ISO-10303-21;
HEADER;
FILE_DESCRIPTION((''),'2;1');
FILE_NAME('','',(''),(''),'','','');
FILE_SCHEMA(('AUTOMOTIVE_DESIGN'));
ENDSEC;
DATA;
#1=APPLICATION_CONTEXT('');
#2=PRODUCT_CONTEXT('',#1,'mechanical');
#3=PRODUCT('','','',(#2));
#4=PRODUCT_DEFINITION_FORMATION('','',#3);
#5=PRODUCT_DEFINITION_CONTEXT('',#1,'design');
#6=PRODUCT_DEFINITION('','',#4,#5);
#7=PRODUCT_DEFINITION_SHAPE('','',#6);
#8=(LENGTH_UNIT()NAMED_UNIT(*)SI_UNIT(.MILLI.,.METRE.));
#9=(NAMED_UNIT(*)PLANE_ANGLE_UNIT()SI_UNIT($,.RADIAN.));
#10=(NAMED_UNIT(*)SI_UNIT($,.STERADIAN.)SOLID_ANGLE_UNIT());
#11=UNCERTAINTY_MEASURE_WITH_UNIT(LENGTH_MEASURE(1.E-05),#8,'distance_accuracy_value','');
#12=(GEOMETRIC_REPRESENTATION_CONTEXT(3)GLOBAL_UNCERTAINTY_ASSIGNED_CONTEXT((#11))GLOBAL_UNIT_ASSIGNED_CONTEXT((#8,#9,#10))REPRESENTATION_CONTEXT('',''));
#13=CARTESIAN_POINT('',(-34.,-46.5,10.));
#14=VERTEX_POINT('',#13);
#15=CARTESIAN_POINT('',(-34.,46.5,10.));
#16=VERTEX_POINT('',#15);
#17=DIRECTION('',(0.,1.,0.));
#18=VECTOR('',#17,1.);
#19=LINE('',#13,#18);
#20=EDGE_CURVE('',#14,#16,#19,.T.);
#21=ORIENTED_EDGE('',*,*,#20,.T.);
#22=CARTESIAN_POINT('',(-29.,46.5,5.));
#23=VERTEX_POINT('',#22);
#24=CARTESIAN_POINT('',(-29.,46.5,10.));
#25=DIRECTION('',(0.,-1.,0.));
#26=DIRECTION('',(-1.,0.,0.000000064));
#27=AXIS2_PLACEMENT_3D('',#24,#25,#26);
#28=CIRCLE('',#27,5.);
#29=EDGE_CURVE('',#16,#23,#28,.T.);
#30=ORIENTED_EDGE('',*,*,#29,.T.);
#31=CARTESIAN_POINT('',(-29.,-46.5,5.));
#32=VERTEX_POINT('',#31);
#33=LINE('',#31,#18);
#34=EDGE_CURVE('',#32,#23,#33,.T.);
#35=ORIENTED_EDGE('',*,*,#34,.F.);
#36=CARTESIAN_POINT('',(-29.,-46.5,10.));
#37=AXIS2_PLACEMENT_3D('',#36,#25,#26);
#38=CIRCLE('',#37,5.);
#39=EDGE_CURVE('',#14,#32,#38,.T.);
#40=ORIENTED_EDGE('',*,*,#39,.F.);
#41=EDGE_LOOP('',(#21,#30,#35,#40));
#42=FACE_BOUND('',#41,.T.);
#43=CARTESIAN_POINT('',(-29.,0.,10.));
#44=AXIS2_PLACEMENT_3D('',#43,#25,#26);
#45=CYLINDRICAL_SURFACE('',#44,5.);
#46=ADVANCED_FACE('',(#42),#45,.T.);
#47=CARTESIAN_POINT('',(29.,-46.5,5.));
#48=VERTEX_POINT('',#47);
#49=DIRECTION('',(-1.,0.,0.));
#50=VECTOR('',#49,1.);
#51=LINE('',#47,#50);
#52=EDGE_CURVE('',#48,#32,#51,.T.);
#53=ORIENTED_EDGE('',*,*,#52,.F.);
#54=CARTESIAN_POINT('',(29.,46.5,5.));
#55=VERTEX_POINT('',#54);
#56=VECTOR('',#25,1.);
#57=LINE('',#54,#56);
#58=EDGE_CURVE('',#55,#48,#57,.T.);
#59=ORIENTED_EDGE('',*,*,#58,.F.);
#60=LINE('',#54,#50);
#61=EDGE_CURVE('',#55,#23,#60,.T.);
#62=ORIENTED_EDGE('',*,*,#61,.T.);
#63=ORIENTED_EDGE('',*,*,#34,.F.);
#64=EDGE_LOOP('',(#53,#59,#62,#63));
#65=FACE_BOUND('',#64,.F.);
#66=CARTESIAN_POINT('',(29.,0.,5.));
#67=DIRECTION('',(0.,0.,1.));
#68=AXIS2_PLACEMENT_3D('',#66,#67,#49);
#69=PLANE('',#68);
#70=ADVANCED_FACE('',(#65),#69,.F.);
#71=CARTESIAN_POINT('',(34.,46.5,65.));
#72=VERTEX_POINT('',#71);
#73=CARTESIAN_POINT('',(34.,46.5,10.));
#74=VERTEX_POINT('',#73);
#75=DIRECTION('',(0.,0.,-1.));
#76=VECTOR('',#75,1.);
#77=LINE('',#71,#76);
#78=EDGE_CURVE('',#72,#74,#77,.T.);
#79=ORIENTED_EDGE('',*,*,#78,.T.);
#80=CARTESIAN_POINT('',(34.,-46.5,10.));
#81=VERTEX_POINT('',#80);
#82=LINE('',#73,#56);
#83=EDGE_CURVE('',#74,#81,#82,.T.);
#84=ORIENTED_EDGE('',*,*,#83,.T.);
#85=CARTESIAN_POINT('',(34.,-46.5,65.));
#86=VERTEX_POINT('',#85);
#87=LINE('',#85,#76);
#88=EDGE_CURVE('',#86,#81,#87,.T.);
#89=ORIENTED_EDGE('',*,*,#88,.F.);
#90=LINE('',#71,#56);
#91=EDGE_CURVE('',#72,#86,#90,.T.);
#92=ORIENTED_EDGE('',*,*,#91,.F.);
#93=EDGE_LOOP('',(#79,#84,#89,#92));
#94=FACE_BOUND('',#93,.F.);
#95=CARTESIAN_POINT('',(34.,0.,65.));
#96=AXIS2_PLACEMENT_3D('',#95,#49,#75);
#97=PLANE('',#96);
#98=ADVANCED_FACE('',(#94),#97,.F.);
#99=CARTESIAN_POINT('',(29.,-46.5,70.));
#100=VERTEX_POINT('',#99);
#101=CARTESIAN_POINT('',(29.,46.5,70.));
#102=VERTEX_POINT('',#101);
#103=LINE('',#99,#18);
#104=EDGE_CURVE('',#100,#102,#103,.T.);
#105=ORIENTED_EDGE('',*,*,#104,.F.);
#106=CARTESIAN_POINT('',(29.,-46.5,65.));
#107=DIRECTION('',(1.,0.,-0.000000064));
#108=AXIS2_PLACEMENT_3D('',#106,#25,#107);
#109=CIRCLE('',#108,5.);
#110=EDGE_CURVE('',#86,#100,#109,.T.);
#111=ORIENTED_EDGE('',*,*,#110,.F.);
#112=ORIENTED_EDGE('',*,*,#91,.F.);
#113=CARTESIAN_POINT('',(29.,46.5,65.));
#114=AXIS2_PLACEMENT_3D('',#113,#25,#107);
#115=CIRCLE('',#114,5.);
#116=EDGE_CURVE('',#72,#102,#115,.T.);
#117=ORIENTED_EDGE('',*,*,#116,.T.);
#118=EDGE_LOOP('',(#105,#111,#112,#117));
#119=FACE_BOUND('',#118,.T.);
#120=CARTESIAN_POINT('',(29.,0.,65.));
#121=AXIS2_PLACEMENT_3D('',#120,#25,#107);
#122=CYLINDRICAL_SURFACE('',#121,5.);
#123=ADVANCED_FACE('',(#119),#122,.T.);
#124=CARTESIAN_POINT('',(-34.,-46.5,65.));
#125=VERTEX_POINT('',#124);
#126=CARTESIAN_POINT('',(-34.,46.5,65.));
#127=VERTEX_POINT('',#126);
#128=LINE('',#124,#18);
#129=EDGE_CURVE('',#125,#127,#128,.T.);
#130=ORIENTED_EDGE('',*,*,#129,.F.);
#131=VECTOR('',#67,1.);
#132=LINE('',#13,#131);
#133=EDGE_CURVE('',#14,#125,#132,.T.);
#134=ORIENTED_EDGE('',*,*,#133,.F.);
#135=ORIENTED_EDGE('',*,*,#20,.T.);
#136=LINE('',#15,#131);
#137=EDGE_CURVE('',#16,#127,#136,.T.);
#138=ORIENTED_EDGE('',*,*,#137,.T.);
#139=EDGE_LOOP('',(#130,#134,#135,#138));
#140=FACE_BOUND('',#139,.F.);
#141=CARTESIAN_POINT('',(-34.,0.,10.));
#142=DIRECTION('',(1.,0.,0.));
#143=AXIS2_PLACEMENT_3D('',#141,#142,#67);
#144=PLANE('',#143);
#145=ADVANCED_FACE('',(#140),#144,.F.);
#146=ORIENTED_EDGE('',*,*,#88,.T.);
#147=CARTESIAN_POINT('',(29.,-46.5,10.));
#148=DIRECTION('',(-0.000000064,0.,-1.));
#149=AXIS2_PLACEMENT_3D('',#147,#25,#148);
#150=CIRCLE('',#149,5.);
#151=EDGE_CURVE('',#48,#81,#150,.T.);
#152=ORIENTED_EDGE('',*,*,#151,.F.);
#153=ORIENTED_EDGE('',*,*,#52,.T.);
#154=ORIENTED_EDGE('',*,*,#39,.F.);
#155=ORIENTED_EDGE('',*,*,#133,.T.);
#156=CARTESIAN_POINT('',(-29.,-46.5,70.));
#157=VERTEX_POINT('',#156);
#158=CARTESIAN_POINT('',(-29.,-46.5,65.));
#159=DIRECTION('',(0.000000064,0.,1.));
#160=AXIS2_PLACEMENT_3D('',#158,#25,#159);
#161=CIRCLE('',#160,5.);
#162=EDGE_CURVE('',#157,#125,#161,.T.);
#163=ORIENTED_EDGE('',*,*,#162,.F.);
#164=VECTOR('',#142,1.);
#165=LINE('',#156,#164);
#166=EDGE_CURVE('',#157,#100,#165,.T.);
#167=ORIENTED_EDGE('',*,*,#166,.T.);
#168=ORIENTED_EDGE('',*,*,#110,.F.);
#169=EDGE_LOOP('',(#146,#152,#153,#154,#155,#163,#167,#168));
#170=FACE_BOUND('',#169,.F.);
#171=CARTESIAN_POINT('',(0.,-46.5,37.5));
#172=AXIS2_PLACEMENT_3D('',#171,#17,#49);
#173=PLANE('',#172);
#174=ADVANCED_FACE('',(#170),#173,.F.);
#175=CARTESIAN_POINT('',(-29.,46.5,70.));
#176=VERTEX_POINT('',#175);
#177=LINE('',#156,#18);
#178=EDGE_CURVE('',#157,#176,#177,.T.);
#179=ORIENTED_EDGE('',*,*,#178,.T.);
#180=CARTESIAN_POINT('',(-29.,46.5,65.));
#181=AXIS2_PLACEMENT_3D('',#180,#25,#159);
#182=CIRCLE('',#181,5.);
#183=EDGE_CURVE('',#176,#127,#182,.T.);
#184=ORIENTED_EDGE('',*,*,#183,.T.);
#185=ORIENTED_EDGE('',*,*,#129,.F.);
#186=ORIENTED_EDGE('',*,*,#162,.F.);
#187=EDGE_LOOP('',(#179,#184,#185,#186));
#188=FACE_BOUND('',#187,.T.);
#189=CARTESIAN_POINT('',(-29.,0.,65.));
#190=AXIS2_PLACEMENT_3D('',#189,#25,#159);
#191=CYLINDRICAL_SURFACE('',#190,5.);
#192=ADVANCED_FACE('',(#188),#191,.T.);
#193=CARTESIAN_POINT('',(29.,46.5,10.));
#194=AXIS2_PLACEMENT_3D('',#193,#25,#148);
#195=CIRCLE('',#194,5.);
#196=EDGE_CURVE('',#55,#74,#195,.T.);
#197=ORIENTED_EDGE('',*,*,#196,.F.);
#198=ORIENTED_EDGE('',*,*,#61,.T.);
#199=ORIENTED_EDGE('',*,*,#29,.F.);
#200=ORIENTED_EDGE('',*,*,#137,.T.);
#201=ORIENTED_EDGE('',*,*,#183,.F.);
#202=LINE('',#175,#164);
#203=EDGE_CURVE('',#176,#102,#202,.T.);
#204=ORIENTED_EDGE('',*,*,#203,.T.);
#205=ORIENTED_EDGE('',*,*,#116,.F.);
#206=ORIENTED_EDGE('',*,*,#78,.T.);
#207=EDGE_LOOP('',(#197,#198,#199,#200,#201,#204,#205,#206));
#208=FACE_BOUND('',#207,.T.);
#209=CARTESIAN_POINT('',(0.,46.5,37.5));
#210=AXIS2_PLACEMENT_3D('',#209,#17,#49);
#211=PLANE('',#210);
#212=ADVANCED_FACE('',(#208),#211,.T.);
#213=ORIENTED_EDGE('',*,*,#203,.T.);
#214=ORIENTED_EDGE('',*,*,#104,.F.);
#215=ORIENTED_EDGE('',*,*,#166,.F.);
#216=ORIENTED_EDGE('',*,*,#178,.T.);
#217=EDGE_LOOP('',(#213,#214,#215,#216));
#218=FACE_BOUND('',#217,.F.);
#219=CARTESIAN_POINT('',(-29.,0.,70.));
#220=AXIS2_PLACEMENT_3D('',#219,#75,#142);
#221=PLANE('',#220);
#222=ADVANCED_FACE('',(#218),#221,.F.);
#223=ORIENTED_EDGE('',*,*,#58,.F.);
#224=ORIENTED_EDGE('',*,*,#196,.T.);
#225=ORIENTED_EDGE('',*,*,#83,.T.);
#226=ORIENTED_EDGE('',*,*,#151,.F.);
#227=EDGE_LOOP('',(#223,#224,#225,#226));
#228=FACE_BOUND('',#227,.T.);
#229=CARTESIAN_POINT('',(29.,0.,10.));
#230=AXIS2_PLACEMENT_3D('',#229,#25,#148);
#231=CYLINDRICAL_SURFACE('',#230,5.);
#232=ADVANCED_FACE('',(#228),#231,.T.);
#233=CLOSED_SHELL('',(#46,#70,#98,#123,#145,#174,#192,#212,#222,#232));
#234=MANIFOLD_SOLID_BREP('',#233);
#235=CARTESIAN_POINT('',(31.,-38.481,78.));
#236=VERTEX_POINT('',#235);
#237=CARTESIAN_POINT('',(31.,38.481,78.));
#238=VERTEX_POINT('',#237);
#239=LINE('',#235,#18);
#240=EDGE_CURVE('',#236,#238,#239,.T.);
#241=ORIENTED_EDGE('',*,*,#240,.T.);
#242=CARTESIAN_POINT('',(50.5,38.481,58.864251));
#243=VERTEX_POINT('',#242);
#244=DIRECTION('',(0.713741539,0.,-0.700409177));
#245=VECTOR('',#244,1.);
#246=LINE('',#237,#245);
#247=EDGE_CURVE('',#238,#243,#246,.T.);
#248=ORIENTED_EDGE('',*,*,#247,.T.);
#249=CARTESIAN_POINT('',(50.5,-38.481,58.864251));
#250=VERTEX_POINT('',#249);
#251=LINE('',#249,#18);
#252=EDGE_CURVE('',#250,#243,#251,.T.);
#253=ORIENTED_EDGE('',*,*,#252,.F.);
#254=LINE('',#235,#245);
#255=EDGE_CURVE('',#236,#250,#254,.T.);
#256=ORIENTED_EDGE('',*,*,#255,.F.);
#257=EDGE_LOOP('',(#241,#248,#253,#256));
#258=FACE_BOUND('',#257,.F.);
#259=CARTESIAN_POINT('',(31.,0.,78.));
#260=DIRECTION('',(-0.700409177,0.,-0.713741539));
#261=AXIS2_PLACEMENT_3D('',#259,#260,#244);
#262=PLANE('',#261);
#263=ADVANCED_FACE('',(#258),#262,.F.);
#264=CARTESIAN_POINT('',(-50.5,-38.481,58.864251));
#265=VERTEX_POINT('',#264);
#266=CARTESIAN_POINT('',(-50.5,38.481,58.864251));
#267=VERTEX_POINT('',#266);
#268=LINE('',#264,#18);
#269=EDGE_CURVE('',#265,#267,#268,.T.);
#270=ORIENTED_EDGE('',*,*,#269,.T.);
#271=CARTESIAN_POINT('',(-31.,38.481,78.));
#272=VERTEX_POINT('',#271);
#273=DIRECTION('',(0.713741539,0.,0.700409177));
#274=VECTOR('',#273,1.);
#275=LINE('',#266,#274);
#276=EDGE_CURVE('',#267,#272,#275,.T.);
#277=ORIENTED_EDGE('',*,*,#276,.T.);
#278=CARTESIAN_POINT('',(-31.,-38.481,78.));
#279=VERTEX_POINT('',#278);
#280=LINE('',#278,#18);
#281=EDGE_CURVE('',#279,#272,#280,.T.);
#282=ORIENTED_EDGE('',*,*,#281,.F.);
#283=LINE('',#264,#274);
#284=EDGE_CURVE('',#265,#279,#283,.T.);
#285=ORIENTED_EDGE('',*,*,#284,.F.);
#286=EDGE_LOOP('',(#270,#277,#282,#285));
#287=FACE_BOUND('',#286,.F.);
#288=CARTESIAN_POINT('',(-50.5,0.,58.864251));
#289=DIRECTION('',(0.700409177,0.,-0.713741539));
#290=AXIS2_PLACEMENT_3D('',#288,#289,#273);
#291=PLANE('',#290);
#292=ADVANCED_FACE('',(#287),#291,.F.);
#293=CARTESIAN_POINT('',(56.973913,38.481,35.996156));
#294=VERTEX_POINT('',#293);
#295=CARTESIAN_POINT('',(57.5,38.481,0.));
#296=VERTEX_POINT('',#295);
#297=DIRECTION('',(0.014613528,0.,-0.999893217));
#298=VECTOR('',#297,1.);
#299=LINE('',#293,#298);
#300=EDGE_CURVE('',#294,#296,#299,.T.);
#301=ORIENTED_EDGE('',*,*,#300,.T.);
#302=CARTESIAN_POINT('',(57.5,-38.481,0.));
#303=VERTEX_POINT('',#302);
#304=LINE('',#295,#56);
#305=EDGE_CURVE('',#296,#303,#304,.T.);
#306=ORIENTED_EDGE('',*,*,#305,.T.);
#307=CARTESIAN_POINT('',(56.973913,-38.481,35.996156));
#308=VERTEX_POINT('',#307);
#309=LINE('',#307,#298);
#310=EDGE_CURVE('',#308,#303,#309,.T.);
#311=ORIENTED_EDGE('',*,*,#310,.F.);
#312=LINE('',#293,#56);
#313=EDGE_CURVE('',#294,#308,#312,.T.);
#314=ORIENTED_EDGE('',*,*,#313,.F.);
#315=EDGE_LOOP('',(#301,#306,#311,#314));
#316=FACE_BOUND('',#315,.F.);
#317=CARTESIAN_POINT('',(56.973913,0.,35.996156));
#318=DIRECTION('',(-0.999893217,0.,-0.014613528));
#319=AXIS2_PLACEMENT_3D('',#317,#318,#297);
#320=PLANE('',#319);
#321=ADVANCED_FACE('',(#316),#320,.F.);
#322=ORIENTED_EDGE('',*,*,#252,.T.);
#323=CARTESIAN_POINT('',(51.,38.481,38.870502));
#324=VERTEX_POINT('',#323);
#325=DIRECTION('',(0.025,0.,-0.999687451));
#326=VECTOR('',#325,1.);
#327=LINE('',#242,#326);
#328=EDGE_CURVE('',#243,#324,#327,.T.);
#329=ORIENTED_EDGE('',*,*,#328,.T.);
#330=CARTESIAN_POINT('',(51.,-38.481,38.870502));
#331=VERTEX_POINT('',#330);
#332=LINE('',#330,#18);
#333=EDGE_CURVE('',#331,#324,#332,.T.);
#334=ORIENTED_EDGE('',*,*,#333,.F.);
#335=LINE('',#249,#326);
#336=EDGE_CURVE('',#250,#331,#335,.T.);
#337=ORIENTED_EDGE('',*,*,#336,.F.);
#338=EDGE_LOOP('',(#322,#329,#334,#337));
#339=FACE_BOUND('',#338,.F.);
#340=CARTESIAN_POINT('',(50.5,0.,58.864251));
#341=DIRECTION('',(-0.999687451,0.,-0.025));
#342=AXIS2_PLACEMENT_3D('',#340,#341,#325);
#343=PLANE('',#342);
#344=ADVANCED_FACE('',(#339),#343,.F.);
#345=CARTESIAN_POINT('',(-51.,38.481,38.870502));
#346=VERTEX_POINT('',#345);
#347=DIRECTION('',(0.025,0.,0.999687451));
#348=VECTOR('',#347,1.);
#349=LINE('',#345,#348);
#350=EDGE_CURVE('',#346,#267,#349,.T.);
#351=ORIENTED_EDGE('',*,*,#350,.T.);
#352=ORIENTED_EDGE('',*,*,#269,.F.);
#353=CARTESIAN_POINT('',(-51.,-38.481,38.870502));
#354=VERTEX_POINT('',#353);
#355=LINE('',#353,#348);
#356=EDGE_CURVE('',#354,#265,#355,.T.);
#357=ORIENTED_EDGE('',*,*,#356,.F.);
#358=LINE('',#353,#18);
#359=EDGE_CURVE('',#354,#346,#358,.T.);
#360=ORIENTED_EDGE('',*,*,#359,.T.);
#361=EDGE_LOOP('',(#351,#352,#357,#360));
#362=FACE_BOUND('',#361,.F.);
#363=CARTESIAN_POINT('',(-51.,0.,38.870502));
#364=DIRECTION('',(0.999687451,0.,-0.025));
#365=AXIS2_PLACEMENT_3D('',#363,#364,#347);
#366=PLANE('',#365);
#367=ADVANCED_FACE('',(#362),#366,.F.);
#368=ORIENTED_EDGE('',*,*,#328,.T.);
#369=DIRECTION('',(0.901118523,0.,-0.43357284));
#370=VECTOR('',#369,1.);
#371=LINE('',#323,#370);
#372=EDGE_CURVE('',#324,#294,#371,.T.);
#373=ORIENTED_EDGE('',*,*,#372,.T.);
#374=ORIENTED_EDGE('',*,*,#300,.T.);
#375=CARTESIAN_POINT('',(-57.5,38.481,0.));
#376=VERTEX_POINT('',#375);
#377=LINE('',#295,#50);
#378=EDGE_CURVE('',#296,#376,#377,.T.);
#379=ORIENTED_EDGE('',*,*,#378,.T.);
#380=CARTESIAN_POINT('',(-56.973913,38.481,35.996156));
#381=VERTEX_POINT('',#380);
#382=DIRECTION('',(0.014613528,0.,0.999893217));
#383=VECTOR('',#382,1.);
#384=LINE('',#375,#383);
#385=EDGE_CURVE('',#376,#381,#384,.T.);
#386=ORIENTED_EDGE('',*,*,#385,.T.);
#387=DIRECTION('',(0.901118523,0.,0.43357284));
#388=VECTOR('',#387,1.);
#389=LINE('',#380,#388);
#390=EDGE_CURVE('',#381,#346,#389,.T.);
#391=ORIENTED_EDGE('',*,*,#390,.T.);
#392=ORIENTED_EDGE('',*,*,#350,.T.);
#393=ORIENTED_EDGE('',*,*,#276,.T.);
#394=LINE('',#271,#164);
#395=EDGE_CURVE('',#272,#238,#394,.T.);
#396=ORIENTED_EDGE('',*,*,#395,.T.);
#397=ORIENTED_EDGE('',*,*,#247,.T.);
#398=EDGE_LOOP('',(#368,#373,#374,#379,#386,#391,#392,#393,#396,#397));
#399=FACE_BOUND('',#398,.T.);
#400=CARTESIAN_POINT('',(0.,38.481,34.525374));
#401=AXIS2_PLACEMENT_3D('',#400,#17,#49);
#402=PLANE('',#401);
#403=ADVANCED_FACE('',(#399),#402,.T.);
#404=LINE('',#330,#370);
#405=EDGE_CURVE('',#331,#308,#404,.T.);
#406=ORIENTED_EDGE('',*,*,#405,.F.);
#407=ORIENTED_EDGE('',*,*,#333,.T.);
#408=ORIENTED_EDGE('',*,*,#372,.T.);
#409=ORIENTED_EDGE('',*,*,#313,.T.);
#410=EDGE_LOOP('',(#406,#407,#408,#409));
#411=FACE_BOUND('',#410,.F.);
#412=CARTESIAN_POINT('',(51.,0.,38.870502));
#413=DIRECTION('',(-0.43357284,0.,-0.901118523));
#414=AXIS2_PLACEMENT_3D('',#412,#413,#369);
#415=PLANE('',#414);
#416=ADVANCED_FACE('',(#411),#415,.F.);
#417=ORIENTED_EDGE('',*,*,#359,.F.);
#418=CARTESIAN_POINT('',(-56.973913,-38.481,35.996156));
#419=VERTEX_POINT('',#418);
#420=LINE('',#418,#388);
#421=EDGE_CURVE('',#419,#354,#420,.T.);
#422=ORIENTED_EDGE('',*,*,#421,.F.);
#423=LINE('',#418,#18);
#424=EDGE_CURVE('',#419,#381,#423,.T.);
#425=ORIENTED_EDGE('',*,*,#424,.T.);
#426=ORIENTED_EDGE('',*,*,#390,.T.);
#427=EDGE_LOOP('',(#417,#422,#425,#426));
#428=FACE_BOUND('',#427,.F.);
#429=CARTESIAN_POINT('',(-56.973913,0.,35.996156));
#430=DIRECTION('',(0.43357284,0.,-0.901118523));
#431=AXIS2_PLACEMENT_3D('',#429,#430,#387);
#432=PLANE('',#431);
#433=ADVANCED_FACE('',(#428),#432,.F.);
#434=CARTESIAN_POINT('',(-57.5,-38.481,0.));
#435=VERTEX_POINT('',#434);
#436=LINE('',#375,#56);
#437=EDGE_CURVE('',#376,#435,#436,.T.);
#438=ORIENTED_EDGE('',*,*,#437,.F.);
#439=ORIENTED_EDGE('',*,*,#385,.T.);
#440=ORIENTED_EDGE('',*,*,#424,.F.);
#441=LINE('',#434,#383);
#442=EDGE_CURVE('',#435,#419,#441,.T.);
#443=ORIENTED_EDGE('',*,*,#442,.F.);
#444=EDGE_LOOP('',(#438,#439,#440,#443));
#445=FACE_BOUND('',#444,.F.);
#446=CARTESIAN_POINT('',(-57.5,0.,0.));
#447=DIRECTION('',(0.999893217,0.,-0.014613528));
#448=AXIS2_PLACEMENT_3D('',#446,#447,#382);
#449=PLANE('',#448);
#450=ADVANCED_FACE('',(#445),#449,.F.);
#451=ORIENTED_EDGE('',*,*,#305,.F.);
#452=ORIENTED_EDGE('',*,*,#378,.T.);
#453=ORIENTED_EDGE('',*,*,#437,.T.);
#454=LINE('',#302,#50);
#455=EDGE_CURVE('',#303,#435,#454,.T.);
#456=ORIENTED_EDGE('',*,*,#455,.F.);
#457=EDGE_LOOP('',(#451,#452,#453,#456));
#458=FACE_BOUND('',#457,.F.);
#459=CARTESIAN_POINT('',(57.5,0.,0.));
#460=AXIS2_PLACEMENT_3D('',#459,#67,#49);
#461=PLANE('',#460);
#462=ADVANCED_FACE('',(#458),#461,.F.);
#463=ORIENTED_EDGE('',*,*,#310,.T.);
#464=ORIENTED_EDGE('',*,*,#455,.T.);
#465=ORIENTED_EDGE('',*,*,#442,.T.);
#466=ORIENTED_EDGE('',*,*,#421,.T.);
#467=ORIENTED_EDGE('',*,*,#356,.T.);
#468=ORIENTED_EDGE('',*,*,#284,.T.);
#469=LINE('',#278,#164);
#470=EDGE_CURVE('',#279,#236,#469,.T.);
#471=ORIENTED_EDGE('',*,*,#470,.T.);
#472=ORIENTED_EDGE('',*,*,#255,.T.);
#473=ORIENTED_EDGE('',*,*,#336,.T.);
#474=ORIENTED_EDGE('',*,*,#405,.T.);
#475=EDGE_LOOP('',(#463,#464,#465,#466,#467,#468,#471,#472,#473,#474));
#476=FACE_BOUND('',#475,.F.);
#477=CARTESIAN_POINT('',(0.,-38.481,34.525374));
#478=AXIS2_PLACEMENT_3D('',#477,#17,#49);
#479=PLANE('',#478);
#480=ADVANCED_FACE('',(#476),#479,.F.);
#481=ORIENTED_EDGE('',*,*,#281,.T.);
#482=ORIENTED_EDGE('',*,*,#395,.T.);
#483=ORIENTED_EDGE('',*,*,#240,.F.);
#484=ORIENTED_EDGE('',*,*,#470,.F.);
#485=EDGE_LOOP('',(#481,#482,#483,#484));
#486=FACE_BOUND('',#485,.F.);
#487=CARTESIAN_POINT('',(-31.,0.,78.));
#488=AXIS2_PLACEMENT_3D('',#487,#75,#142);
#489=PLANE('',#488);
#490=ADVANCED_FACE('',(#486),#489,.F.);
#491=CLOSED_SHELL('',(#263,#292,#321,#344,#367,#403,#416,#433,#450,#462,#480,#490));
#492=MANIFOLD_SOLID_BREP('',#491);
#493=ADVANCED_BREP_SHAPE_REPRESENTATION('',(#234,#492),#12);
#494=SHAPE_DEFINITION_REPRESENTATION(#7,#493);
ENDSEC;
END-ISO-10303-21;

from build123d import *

# Parameters (mm, degrees)
PAD_DEPTH    = 38.481
PAD003_DEPTH = 46.5


with BuildPart() as body:
    # Sketch → Pad (new body, symmetric)
    with BuildSketch(Plane.XZ):
        Polygon((-57.5, 0), (-56.973913, 35.996156), (-51, 38.870502), (-50.5, 58.864251), (-31, 78), (31, 78), (50.5, 58.864251), (51, 38.870502), (56.973913, 35.996156), (57.5, 0), align=None)
    extrude(amount=PAD_DEPTH, both=True)


with BuildPart() as body001:
    # Sketch003 → Pad003 (new body, symmetric)
    with BuildSketch(Plane.XZ):
        with BuildLine():
            Line((29, 5), (-29, 5))
            ThreePointArc((-34, 10), (-32.535534, 6.464466), (-29, 5))
            Line((-34, 10), (-34, 65))
            ThreePointArc((-29, 70), (-32.535534, 68.535534), (-34, 65))
            Line((-29, 70), (29, 70))
            ThreePointArc((34, 65), (32.535534, 68.535534), (29, 70))
            Line((34, 65), (34, 10))
            ThreePointArc((29, 5), (32.535534, 6.464466), (34, 10))
        make_face()
    extrude(amount=PAD003_DEPTH, both=True)


solid = Compound([body.part, body001.part])
